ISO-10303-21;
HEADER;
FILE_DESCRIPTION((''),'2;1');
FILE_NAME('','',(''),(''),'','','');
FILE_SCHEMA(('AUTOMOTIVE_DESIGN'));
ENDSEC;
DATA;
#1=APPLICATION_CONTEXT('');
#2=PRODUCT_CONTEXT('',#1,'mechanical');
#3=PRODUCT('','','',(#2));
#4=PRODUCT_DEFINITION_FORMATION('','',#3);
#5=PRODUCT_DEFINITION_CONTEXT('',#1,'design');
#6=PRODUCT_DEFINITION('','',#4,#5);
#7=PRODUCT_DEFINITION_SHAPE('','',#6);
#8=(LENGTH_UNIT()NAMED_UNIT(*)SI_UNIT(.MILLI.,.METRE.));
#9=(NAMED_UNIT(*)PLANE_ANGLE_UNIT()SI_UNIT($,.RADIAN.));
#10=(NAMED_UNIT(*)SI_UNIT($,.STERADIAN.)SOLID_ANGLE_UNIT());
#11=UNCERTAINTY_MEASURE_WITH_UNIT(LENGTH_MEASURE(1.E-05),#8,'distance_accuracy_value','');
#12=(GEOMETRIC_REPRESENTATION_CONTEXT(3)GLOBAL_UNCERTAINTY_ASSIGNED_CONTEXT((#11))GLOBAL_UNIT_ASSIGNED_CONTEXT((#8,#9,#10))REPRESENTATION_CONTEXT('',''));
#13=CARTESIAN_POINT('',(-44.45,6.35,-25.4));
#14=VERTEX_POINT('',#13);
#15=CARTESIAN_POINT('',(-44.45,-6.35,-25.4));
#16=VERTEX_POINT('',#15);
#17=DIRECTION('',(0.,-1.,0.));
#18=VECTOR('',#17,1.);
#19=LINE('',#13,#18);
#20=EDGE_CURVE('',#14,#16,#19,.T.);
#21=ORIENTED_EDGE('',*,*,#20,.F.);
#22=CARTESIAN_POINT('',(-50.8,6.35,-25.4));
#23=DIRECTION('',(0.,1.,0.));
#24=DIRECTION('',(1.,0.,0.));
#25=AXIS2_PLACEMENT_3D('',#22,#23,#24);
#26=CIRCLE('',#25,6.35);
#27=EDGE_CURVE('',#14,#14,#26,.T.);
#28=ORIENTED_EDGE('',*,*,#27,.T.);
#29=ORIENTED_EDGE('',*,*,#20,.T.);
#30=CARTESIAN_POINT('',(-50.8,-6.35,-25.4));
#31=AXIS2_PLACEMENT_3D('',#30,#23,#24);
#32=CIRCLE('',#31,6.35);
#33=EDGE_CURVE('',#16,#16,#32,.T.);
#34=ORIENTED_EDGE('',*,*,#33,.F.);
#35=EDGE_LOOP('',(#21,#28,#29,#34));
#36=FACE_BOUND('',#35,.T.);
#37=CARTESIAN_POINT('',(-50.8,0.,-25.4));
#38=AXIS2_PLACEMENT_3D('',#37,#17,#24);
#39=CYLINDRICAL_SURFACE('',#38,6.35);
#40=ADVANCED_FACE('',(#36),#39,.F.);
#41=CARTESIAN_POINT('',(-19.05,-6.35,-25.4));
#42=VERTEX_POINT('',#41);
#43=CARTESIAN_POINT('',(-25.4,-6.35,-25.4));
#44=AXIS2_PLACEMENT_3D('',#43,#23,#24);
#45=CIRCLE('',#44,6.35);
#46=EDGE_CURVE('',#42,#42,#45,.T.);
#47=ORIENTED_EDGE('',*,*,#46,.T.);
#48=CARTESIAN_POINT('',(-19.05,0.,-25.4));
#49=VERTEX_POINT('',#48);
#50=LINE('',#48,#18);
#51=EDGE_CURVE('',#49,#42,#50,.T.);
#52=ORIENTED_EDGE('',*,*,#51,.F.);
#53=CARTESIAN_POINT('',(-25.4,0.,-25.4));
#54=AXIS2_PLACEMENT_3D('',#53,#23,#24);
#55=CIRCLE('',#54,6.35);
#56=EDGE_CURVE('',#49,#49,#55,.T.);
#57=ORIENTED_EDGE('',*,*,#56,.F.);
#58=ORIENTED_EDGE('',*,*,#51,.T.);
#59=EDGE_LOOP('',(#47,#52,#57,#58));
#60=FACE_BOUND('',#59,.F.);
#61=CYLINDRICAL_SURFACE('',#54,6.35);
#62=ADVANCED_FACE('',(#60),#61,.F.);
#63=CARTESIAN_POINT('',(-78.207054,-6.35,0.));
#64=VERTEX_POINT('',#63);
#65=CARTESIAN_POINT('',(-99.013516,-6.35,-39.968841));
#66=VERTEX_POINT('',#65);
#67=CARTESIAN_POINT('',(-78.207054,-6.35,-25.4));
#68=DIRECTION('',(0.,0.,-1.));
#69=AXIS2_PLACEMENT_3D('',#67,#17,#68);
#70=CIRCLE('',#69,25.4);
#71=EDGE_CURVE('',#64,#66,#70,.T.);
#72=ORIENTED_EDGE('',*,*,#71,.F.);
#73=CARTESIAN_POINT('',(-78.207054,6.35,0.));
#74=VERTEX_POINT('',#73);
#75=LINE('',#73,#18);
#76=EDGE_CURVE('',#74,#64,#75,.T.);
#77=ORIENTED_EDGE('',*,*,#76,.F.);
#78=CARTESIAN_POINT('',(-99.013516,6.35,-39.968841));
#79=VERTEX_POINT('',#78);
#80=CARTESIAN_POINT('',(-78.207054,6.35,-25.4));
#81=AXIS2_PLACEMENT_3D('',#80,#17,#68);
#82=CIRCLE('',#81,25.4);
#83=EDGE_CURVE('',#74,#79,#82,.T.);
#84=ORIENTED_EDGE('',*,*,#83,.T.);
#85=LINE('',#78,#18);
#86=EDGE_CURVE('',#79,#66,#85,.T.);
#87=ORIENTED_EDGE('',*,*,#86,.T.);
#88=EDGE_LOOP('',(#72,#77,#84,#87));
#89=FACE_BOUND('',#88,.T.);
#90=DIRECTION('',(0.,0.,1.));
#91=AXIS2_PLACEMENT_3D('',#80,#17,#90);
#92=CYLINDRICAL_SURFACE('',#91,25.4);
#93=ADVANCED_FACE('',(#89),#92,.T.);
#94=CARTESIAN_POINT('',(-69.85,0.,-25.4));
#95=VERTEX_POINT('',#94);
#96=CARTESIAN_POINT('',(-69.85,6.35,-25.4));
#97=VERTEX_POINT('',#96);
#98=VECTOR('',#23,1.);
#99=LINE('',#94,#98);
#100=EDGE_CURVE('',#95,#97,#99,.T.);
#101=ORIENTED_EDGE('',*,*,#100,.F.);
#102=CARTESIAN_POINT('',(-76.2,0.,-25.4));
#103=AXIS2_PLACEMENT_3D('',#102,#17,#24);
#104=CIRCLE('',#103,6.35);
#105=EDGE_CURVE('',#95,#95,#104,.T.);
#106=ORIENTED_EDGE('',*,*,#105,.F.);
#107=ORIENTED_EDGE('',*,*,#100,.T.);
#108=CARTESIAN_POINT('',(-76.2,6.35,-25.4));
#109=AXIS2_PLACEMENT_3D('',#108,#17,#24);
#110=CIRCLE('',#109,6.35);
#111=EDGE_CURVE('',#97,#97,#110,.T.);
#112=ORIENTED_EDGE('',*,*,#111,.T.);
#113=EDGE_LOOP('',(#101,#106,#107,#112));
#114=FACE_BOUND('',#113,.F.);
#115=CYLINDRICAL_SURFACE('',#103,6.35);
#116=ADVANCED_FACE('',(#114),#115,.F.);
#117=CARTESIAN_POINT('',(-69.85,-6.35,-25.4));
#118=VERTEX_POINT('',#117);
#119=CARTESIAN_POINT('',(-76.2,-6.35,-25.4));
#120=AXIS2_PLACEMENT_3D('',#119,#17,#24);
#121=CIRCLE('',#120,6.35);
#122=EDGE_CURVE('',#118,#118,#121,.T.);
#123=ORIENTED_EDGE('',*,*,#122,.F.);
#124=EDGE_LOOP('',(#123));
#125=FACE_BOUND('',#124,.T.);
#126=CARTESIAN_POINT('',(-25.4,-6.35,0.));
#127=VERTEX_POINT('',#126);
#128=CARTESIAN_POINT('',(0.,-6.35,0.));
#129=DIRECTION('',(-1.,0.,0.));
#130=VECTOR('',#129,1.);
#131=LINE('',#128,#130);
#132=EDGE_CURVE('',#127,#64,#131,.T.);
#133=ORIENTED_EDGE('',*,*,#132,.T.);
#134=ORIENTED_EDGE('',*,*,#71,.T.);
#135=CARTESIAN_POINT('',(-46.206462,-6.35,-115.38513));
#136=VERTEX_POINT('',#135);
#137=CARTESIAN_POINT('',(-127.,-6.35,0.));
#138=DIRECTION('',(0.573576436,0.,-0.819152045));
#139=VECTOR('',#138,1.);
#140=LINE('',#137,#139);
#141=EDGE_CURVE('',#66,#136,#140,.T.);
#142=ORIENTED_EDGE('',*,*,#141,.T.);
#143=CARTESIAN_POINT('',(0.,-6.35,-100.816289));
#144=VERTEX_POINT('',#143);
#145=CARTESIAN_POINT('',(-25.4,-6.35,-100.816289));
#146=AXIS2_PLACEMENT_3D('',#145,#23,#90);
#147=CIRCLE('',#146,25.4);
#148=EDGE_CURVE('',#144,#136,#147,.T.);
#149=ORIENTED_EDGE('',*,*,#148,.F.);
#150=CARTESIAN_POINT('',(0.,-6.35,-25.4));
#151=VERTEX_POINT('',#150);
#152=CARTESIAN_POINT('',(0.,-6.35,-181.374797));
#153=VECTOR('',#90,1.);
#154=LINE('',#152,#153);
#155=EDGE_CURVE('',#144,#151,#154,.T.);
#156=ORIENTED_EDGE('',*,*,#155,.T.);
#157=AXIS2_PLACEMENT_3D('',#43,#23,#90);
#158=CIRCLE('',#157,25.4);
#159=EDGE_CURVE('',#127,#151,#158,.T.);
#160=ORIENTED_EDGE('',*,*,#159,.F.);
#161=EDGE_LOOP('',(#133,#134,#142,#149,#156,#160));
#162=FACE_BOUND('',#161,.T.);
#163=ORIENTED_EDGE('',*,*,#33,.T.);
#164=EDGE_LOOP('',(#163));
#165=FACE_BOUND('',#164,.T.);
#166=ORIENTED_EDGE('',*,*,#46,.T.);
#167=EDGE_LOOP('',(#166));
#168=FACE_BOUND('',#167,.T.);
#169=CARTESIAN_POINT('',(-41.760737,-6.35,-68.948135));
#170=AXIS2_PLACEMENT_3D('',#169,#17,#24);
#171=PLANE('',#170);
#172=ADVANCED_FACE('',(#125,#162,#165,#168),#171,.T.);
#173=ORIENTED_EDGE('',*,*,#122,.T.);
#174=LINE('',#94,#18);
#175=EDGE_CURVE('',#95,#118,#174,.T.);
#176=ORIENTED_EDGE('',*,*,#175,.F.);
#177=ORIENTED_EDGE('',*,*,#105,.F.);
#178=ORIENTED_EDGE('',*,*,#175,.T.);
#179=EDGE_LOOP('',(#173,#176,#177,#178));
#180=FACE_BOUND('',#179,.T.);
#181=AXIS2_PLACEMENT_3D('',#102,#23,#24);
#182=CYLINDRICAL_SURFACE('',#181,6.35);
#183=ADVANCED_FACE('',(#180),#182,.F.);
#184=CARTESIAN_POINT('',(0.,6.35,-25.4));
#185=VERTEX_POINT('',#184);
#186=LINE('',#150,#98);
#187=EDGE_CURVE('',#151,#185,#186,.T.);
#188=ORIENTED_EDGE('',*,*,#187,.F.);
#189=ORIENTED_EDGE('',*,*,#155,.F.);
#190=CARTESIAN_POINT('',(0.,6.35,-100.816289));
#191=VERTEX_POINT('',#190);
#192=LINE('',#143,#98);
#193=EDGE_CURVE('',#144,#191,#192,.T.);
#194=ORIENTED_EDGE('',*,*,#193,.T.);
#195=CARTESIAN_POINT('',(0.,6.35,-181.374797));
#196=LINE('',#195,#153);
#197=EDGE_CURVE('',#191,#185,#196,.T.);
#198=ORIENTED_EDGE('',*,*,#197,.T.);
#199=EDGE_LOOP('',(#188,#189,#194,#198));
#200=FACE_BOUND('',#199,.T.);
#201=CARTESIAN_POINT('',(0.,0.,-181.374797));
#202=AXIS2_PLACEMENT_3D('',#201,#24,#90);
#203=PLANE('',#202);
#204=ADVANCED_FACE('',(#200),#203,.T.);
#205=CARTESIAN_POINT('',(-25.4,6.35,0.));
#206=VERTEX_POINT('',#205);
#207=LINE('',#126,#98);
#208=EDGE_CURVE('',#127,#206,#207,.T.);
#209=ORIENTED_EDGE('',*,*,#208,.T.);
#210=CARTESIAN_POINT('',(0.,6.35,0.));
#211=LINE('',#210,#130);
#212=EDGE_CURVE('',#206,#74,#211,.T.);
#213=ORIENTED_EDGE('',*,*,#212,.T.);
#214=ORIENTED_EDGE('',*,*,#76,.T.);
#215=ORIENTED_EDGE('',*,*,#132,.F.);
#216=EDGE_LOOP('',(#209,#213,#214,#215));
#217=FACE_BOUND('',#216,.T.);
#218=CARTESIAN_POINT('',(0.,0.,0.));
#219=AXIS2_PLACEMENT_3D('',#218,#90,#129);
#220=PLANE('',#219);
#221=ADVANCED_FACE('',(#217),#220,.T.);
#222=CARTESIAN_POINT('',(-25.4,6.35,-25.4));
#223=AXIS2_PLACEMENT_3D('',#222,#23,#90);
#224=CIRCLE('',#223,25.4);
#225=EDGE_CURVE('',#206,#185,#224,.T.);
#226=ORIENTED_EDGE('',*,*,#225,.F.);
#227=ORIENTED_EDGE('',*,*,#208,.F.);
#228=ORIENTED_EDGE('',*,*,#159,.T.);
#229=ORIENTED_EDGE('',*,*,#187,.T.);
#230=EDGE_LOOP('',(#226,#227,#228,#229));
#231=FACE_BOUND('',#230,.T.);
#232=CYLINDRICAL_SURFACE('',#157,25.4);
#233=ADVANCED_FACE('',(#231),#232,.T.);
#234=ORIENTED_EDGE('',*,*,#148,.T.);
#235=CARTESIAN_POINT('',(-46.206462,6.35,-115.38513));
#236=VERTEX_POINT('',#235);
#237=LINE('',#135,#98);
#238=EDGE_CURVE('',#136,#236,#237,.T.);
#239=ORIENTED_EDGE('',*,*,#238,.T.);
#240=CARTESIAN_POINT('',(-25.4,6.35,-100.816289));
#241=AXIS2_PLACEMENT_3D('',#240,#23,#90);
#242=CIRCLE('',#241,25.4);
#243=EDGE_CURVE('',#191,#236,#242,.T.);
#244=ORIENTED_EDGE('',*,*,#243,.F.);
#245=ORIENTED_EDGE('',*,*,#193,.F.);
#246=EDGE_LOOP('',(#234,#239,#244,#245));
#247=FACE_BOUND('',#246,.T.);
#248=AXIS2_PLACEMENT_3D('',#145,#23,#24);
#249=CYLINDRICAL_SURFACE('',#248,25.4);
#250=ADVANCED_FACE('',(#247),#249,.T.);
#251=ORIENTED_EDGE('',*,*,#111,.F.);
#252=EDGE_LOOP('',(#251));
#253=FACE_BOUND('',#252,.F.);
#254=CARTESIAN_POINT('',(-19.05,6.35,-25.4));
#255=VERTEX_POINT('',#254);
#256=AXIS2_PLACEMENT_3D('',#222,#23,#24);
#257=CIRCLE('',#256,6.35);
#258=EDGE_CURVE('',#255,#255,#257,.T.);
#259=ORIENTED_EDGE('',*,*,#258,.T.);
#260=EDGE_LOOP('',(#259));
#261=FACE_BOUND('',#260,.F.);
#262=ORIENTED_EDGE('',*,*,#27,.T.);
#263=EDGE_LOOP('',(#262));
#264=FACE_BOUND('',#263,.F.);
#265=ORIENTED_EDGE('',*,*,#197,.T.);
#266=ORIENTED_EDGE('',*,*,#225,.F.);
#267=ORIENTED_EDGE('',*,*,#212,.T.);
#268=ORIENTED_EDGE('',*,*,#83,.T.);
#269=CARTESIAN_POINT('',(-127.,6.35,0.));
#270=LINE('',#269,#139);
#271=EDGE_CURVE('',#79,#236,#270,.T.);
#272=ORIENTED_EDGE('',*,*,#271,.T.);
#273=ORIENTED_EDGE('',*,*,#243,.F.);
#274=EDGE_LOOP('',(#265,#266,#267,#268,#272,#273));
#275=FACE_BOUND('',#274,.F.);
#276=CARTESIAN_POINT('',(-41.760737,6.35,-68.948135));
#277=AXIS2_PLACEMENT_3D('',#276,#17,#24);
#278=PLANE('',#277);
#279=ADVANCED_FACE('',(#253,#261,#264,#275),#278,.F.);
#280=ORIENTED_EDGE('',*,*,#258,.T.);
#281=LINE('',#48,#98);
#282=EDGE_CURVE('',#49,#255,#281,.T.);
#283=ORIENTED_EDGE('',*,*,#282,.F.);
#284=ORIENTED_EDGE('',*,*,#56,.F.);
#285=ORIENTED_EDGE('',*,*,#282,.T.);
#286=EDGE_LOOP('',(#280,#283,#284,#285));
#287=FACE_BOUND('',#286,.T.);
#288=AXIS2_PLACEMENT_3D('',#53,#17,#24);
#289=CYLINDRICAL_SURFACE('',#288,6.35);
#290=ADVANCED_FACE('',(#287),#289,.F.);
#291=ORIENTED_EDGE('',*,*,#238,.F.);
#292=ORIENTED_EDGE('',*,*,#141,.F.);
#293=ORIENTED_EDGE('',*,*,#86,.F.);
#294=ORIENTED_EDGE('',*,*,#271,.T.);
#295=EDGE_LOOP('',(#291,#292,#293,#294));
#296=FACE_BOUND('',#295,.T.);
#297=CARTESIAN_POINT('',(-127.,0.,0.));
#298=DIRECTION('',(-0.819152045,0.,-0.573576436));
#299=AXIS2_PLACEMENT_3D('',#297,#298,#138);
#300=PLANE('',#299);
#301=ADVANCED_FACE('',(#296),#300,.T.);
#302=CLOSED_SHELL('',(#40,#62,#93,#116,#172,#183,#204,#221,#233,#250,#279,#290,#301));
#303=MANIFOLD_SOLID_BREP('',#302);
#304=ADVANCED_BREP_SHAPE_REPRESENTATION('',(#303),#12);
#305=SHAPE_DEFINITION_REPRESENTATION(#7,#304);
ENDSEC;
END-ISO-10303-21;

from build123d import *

# Parameters (mm, degrees)
F0_R     = 6.35
F1_DEPTH = 6.35
F2_R     = 25.4


with BuildPart() as f1:
    # F0 (on Front) → F1 (new body, symmetric)
    with BuildSketch(Plane.XZ):
        Polygon((0, 0), (-127, 0), (0, -181.374797), align=None)
        with Locations((-76.2, -25.4)):
            Circle(F0_R, mode=Mode.SUBTRACT)
        with BuildLine():
            ThreePointArc((-57.15, -25.4), (-50.8, -19.05), (-44.45, -25.4))
            ThreePointArc((-44.45, -25.4), (-50.8, -31.75), (-57.15, -25.4))
        make_face(mode=Mode.SUBTRACT)
        with BuildLine():
            ThreePointArc((-31.75, -25.4), (-25.4, -19.05), (-19.05, -25.4))
            ThreePointArc((-19.05, -25.4), (-25.4, -31.75), (-31.75, -25.4))
        make_face(mode=Mode.SUBTRACT)
    extrude(amount=F1_DEPTH, both=True)

    # F2
    f2_edges = [f1.edges().sort_by_distance(p)[0] for p in [
        (0, 0, 0),
        (-127, 0, 0),
        (0, 0, -181.374797),
    ]]
    fillet(f2_edges, radius=F2_R)


solid = f1.part
